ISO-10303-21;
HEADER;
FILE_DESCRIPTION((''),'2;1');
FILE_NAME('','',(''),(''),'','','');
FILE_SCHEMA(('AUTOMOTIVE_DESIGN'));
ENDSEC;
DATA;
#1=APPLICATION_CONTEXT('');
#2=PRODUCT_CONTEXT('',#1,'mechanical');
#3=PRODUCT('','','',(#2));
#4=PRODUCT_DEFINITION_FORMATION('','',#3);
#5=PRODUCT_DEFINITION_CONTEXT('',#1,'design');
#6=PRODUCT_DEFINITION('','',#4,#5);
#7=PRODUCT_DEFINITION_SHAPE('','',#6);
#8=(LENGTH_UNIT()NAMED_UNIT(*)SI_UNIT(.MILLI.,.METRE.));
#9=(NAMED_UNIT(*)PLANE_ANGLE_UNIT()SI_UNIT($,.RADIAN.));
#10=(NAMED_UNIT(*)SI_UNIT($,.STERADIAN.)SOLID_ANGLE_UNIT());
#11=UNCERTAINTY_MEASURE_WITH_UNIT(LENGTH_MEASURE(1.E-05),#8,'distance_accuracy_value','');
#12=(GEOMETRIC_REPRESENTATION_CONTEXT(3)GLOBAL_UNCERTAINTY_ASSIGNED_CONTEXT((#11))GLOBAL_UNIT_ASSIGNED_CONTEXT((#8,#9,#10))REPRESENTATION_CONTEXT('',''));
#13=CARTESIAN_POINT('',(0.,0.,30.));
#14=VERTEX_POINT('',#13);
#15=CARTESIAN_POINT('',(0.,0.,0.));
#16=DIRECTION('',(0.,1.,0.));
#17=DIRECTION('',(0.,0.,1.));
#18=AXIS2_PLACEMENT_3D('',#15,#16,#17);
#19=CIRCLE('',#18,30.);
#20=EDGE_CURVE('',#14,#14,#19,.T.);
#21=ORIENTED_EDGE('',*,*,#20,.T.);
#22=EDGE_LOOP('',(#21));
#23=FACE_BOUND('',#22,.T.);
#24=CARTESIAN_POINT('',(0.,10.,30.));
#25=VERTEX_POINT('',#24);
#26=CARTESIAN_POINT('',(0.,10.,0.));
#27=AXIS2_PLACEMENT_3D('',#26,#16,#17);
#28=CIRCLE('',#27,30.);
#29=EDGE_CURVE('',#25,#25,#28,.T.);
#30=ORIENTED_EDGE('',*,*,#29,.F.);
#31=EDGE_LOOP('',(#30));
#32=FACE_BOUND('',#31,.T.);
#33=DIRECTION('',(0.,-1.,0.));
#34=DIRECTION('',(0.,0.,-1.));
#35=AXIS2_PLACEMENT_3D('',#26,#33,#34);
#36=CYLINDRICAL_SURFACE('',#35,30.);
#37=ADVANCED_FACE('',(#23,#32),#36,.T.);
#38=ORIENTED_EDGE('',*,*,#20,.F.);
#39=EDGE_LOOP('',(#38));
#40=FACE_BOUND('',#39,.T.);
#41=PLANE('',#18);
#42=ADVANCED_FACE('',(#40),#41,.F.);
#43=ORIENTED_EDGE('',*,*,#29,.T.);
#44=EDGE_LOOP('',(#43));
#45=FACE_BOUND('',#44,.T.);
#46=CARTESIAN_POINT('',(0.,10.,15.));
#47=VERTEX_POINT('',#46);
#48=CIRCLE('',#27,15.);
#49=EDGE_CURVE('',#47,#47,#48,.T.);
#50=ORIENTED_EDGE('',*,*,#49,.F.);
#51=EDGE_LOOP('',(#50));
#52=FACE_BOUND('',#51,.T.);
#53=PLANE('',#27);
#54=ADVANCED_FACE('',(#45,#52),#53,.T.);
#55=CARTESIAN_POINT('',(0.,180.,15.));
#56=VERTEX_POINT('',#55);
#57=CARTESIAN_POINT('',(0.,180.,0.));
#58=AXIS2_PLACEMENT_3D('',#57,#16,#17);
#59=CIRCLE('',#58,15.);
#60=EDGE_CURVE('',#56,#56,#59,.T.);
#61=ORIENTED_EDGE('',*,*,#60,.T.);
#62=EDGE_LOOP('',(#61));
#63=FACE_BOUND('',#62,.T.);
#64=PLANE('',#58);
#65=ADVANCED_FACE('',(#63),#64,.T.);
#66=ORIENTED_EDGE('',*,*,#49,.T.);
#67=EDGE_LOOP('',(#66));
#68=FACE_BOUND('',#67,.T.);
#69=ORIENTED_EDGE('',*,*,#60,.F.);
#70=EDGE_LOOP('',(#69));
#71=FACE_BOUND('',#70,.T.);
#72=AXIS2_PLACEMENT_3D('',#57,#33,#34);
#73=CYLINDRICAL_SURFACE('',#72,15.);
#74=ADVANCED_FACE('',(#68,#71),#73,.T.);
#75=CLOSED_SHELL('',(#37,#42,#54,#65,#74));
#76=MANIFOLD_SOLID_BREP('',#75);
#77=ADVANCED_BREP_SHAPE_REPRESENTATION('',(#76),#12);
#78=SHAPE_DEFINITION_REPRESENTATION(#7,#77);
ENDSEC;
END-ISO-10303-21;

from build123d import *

# Parameters (mm, degrees)
SKETCH_1_R      = 30
EXTRUDE_1_DEPTH = 10
SKETCH_2_R      = 15
EXTRUDE_2_DEPTH = 170


with BuildPart() as part:
    # Эскиз1 → Бобышка-Вытянуть1 (new body)
    with BuildSketch(Plane(origin=(0, 0, 0), x_dir=(1, 0, 0), z_dir=(0, 1, 0))):
        with Locations(Location((0, 0, 0), (0, 0, 270))):
            Circle(SKETCH_1_R)
    extrude(amount=EXTRUDE_1_DEPTH)

    # Эскиз2 → Бобышка-Вытянуть2 (add)
    with BuildSketch(Plane(origin=(0, 10, 0), x_dir=(1, 0, 0), z_dir=(0, 1, 0))):
        with Locations(Location((0, 0, 0), (0, 0, 270))):
            Circle(SKETCH_2_R)
    extrude(amount=EXTRUDE_2_DEPTH)


solid = part.part
